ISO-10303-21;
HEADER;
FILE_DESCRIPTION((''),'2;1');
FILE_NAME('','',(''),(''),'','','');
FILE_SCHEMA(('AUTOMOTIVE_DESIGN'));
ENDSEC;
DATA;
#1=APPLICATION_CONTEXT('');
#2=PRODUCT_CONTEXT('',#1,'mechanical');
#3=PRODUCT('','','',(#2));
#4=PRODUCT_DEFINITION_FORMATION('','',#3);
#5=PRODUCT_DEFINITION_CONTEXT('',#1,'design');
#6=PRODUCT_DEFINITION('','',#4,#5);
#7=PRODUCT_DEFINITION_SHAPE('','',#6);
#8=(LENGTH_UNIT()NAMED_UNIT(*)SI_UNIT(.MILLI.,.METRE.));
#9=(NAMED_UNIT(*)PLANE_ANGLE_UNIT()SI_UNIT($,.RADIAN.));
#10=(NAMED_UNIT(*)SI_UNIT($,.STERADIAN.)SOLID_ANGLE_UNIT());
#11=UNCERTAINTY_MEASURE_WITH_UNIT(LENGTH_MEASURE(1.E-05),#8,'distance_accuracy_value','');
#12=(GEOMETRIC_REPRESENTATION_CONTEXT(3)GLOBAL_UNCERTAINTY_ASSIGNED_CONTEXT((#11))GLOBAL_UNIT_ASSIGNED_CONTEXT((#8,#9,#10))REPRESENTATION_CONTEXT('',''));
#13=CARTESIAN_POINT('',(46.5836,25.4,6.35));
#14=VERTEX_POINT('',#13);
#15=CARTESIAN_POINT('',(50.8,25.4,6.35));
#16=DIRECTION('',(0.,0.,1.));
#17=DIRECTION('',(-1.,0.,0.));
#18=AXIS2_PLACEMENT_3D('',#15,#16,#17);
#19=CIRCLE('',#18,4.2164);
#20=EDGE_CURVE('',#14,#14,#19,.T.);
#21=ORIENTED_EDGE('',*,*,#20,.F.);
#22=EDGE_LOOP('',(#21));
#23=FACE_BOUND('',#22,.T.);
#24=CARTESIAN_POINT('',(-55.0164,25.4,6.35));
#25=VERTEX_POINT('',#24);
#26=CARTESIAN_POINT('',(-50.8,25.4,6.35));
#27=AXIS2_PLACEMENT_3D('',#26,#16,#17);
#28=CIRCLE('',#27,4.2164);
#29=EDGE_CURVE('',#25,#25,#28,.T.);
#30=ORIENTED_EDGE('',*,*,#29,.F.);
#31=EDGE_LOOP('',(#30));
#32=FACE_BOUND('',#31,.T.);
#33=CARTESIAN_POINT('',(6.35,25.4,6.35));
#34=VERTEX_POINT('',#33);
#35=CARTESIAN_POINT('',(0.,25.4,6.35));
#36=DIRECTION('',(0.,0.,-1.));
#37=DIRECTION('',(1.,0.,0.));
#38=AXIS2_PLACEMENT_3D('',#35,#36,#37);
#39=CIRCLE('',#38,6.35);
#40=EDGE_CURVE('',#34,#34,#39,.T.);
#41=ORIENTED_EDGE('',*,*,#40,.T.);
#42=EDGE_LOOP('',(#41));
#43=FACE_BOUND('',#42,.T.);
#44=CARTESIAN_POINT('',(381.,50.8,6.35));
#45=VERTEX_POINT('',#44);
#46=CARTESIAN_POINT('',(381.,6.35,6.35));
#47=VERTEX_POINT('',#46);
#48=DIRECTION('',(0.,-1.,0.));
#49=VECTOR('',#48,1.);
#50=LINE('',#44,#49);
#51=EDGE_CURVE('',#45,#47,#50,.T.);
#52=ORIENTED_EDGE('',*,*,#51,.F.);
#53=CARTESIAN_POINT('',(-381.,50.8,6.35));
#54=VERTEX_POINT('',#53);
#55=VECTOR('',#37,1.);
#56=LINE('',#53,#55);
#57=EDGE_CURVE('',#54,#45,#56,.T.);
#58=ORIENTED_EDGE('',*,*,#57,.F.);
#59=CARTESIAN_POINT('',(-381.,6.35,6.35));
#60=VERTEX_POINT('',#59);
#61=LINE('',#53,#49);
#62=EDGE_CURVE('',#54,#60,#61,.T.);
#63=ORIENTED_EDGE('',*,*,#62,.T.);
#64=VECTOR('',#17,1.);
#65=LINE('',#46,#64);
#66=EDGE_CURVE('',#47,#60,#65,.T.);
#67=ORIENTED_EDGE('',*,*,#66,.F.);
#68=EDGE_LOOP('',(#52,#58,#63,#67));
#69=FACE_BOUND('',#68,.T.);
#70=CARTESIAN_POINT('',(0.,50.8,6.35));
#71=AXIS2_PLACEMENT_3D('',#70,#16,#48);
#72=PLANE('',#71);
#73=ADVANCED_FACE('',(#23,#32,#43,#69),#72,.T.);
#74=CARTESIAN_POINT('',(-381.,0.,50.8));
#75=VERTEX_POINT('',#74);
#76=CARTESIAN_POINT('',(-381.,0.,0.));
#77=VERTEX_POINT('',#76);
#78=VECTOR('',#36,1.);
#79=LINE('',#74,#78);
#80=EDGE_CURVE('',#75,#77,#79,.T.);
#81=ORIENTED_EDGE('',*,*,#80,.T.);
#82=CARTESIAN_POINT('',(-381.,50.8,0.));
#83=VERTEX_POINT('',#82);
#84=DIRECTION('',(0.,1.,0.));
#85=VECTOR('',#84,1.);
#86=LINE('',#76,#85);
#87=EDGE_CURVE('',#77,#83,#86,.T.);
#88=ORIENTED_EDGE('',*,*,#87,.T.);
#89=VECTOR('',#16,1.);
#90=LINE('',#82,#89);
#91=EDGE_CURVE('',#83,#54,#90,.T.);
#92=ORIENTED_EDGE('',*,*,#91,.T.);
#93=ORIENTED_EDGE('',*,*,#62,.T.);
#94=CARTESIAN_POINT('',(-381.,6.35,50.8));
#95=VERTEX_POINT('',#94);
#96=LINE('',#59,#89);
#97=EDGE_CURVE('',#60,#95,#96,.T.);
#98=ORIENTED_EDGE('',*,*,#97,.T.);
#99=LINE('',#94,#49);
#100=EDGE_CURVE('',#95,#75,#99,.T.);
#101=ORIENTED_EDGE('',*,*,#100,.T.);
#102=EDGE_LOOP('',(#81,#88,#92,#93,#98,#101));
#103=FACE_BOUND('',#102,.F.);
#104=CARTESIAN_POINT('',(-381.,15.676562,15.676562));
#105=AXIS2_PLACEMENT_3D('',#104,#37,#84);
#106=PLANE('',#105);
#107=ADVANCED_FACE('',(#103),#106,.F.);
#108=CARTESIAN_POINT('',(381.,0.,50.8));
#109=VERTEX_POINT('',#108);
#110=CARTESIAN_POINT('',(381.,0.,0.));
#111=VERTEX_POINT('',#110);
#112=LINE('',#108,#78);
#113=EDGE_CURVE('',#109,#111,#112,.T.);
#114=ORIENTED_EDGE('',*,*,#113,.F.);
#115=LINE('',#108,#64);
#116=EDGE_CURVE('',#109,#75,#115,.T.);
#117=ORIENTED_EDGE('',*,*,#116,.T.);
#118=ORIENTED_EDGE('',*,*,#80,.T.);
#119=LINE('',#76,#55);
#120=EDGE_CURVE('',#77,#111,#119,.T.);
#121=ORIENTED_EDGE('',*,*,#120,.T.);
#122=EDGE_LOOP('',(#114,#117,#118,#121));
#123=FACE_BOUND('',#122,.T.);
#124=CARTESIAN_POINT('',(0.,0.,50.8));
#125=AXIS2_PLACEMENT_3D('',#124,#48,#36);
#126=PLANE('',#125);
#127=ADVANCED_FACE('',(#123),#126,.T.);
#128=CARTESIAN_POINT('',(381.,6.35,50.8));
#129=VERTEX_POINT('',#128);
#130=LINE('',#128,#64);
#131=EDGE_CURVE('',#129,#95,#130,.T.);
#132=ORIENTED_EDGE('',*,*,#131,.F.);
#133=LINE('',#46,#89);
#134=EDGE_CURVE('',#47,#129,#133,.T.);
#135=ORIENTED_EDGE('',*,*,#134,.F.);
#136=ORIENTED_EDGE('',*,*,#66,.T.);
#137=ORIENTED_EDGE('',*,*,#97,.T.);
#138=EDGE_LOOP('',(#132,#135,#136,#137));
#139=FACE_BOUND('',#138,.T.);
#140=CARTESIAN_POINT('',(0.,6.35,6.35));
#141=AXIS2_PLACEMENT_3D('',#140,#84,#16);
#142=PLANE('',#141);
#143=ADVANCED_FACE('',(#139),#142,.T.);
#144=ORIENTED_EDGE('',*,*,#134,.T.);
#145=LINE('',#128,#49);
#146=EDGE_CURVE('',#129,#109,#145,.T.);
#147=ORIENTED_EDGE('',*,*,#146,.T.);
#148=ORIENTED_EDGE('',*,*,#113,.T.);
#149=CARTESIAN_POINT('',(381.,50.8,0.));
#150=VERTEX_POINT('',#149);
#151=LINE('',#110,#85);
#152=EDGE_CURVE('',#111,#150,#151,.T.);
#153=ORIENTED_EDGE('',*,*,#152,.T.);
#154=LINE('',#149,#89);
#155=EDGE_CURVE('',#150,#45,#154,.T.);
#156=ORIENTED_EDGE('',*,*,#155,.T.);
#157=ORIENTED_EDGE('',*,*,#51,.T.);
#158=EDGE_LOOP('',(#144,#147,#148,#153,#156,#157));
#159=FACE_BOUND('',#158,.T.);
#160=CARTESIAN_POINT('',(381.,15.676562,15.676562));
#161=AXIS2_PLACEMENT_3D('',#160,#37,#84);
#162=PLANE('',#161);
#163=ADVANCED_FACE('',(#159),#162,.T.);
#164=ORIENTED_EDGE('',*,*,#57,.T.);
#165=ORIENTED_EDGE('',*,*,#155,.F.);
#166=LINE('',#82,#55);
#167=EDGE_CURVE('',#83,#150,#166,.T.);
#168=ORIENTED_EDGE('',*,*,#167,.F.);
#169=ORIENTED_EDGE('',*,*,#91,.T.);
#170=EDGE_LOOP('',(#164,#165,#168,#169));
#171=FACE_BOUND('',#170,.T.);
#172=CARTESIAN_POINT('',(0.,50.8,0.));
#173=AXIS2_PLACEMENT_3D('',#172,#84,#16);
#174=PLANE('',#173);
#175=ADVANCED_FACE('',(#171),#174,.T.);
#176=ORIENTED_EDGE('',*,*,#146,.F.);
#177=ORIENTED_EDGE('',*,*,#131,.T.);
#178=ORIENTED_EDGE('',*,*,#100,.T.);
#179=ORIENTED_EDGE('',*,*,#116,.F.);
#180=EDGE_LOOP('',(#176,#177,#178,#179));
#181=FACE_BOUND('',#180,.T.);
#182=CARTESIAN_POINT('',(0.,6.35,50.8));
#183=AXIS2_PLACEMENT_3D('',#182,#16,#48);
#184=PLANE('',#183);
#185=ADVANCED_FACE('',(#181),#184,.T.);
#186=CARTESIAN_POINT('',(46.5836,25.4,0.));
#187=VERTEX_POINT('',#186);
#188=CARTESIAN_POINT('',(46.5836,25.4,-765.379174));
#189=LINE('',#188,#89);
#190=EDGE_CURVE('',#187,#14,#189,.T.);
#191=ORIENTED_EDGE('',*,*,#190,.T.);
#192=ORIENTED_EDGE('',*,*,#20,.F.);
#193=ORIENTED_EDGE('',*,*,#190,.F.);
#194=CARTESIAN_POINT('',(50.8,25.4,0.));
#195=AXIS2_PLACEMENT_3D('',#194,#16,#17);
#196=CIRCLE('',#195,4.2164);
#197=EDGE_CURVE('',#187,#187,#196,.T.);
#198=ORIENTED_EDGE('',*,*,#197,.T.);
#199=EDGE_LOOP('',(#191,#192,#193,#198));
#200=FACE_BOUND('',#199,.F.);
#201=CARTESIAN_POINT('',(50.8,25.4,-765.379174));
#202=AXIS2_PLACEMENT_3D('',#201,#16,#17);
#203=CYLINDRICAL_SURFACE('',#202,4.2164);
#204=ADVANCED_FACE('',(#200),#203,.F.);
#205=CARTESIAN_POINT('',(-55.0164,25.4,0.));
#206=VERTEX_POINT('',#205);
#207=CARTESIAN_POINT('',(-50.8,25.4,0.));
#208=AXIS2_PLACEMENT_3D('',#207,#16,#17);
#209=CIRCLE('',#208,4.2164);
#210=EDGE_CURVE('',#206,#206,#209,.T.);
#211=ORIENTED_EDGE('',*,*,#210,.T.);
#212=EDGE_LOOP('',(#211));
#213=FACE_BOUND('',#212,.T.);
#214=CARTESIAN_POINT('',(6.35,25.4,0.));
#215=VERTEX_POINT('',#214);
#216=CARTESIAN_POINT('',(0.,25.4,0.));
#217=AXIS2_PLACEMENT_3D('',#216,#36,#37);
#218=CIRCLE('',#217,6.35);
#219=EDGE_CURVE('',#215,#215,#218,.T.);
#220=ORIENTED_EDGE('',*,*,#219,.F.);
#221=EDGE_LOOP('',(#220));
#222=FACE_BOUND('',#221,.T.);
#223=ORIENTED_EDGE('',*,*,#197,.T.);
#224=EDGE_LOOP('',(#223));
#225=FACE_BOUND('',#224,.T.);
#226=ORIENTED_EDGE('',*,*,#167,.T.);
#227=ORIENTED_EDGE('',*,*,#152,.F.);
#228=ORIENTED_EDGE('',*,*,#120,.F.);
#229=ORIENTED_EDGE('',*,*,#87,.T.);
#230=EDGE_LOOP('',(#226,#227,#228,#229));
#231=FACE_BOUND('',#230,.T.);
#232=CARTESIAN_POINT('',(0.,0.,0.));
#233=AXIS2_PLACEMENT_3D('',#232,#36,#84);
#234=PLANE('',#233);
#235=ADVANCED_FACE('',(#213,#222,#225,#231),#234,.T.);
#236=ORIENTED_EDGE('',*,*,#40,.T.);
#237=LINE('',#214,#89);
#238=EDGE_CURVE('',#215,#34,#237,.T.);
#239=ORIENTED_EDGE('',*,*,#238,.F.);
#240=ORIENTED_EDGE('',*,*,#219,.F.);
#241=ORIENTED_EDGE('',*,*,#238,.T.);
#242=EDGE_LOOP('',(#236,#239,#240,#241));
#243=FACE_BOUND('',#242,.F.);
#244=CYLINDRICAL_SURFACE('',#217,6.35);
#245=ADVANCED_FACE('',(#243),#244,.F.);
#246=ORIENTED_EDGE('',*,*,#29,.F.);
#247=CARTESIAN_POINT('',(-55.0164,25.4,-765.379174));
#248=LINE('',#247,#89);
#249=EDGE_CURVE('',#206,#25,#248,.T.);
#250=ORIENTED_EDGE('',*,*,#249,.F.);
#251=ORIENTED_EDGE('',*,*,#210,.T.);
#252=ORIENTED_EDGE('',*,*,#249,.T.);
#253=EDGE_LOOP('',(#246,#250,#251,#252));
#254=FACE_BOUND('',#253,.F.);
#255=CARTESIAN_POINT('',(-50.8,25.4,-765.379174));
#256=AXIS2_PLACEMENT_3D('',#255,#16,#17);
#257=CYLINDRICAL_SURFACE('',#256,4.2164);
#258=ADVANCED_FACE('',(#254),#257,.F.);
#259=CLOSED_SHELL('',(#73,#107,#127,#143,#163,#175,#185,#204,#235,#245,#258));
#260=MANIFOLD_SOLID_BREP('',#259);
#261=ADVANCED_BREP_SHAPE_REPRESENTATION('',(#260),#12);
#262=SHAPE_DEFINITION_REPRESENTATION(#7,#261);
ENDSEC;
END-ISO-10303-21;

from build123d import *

# Parameters (mm, degrees)
F1_DEPTH = 381
F2_R     = 6.35
F3_DEPTH = 50.801
F5_D     = 8.4328


with BuildPart() as f1:
    # F0 (on Right) → F1 (new body, symmetric)
    with BuildSketch(Plane.YZ):
        Polygon((0, 50.8), (0, 0), (50.8, 0), (50.8, 6.35), (6.35, 6.35), (6.35, 50.8), align=None)
    extrude(amount=F1_DEPTH, both=True)

    # F2 (on face) → F3 (cut, through all)
    with BuildSketch(Plane(origin=(0, 0, 0), x_dir=(1, 0, 0), z_dir=(0, 0, -1))):
        with Locations((0, -25.4)):
            Circle(F2_R)
    extrude(amount=-F3_DEPTH, mode=Mode.SUBTRACT)

    # F5 (through all)
    with Locations(Plane(origin=(0, 0, 0), x_dir=(1, 0, 0), z_dir=(0, 0, -1))):
        with Locations((50.8, -25.4), (-50.8, -25.4)):
            Hole(F5_D / 2)


solid = f1.part
